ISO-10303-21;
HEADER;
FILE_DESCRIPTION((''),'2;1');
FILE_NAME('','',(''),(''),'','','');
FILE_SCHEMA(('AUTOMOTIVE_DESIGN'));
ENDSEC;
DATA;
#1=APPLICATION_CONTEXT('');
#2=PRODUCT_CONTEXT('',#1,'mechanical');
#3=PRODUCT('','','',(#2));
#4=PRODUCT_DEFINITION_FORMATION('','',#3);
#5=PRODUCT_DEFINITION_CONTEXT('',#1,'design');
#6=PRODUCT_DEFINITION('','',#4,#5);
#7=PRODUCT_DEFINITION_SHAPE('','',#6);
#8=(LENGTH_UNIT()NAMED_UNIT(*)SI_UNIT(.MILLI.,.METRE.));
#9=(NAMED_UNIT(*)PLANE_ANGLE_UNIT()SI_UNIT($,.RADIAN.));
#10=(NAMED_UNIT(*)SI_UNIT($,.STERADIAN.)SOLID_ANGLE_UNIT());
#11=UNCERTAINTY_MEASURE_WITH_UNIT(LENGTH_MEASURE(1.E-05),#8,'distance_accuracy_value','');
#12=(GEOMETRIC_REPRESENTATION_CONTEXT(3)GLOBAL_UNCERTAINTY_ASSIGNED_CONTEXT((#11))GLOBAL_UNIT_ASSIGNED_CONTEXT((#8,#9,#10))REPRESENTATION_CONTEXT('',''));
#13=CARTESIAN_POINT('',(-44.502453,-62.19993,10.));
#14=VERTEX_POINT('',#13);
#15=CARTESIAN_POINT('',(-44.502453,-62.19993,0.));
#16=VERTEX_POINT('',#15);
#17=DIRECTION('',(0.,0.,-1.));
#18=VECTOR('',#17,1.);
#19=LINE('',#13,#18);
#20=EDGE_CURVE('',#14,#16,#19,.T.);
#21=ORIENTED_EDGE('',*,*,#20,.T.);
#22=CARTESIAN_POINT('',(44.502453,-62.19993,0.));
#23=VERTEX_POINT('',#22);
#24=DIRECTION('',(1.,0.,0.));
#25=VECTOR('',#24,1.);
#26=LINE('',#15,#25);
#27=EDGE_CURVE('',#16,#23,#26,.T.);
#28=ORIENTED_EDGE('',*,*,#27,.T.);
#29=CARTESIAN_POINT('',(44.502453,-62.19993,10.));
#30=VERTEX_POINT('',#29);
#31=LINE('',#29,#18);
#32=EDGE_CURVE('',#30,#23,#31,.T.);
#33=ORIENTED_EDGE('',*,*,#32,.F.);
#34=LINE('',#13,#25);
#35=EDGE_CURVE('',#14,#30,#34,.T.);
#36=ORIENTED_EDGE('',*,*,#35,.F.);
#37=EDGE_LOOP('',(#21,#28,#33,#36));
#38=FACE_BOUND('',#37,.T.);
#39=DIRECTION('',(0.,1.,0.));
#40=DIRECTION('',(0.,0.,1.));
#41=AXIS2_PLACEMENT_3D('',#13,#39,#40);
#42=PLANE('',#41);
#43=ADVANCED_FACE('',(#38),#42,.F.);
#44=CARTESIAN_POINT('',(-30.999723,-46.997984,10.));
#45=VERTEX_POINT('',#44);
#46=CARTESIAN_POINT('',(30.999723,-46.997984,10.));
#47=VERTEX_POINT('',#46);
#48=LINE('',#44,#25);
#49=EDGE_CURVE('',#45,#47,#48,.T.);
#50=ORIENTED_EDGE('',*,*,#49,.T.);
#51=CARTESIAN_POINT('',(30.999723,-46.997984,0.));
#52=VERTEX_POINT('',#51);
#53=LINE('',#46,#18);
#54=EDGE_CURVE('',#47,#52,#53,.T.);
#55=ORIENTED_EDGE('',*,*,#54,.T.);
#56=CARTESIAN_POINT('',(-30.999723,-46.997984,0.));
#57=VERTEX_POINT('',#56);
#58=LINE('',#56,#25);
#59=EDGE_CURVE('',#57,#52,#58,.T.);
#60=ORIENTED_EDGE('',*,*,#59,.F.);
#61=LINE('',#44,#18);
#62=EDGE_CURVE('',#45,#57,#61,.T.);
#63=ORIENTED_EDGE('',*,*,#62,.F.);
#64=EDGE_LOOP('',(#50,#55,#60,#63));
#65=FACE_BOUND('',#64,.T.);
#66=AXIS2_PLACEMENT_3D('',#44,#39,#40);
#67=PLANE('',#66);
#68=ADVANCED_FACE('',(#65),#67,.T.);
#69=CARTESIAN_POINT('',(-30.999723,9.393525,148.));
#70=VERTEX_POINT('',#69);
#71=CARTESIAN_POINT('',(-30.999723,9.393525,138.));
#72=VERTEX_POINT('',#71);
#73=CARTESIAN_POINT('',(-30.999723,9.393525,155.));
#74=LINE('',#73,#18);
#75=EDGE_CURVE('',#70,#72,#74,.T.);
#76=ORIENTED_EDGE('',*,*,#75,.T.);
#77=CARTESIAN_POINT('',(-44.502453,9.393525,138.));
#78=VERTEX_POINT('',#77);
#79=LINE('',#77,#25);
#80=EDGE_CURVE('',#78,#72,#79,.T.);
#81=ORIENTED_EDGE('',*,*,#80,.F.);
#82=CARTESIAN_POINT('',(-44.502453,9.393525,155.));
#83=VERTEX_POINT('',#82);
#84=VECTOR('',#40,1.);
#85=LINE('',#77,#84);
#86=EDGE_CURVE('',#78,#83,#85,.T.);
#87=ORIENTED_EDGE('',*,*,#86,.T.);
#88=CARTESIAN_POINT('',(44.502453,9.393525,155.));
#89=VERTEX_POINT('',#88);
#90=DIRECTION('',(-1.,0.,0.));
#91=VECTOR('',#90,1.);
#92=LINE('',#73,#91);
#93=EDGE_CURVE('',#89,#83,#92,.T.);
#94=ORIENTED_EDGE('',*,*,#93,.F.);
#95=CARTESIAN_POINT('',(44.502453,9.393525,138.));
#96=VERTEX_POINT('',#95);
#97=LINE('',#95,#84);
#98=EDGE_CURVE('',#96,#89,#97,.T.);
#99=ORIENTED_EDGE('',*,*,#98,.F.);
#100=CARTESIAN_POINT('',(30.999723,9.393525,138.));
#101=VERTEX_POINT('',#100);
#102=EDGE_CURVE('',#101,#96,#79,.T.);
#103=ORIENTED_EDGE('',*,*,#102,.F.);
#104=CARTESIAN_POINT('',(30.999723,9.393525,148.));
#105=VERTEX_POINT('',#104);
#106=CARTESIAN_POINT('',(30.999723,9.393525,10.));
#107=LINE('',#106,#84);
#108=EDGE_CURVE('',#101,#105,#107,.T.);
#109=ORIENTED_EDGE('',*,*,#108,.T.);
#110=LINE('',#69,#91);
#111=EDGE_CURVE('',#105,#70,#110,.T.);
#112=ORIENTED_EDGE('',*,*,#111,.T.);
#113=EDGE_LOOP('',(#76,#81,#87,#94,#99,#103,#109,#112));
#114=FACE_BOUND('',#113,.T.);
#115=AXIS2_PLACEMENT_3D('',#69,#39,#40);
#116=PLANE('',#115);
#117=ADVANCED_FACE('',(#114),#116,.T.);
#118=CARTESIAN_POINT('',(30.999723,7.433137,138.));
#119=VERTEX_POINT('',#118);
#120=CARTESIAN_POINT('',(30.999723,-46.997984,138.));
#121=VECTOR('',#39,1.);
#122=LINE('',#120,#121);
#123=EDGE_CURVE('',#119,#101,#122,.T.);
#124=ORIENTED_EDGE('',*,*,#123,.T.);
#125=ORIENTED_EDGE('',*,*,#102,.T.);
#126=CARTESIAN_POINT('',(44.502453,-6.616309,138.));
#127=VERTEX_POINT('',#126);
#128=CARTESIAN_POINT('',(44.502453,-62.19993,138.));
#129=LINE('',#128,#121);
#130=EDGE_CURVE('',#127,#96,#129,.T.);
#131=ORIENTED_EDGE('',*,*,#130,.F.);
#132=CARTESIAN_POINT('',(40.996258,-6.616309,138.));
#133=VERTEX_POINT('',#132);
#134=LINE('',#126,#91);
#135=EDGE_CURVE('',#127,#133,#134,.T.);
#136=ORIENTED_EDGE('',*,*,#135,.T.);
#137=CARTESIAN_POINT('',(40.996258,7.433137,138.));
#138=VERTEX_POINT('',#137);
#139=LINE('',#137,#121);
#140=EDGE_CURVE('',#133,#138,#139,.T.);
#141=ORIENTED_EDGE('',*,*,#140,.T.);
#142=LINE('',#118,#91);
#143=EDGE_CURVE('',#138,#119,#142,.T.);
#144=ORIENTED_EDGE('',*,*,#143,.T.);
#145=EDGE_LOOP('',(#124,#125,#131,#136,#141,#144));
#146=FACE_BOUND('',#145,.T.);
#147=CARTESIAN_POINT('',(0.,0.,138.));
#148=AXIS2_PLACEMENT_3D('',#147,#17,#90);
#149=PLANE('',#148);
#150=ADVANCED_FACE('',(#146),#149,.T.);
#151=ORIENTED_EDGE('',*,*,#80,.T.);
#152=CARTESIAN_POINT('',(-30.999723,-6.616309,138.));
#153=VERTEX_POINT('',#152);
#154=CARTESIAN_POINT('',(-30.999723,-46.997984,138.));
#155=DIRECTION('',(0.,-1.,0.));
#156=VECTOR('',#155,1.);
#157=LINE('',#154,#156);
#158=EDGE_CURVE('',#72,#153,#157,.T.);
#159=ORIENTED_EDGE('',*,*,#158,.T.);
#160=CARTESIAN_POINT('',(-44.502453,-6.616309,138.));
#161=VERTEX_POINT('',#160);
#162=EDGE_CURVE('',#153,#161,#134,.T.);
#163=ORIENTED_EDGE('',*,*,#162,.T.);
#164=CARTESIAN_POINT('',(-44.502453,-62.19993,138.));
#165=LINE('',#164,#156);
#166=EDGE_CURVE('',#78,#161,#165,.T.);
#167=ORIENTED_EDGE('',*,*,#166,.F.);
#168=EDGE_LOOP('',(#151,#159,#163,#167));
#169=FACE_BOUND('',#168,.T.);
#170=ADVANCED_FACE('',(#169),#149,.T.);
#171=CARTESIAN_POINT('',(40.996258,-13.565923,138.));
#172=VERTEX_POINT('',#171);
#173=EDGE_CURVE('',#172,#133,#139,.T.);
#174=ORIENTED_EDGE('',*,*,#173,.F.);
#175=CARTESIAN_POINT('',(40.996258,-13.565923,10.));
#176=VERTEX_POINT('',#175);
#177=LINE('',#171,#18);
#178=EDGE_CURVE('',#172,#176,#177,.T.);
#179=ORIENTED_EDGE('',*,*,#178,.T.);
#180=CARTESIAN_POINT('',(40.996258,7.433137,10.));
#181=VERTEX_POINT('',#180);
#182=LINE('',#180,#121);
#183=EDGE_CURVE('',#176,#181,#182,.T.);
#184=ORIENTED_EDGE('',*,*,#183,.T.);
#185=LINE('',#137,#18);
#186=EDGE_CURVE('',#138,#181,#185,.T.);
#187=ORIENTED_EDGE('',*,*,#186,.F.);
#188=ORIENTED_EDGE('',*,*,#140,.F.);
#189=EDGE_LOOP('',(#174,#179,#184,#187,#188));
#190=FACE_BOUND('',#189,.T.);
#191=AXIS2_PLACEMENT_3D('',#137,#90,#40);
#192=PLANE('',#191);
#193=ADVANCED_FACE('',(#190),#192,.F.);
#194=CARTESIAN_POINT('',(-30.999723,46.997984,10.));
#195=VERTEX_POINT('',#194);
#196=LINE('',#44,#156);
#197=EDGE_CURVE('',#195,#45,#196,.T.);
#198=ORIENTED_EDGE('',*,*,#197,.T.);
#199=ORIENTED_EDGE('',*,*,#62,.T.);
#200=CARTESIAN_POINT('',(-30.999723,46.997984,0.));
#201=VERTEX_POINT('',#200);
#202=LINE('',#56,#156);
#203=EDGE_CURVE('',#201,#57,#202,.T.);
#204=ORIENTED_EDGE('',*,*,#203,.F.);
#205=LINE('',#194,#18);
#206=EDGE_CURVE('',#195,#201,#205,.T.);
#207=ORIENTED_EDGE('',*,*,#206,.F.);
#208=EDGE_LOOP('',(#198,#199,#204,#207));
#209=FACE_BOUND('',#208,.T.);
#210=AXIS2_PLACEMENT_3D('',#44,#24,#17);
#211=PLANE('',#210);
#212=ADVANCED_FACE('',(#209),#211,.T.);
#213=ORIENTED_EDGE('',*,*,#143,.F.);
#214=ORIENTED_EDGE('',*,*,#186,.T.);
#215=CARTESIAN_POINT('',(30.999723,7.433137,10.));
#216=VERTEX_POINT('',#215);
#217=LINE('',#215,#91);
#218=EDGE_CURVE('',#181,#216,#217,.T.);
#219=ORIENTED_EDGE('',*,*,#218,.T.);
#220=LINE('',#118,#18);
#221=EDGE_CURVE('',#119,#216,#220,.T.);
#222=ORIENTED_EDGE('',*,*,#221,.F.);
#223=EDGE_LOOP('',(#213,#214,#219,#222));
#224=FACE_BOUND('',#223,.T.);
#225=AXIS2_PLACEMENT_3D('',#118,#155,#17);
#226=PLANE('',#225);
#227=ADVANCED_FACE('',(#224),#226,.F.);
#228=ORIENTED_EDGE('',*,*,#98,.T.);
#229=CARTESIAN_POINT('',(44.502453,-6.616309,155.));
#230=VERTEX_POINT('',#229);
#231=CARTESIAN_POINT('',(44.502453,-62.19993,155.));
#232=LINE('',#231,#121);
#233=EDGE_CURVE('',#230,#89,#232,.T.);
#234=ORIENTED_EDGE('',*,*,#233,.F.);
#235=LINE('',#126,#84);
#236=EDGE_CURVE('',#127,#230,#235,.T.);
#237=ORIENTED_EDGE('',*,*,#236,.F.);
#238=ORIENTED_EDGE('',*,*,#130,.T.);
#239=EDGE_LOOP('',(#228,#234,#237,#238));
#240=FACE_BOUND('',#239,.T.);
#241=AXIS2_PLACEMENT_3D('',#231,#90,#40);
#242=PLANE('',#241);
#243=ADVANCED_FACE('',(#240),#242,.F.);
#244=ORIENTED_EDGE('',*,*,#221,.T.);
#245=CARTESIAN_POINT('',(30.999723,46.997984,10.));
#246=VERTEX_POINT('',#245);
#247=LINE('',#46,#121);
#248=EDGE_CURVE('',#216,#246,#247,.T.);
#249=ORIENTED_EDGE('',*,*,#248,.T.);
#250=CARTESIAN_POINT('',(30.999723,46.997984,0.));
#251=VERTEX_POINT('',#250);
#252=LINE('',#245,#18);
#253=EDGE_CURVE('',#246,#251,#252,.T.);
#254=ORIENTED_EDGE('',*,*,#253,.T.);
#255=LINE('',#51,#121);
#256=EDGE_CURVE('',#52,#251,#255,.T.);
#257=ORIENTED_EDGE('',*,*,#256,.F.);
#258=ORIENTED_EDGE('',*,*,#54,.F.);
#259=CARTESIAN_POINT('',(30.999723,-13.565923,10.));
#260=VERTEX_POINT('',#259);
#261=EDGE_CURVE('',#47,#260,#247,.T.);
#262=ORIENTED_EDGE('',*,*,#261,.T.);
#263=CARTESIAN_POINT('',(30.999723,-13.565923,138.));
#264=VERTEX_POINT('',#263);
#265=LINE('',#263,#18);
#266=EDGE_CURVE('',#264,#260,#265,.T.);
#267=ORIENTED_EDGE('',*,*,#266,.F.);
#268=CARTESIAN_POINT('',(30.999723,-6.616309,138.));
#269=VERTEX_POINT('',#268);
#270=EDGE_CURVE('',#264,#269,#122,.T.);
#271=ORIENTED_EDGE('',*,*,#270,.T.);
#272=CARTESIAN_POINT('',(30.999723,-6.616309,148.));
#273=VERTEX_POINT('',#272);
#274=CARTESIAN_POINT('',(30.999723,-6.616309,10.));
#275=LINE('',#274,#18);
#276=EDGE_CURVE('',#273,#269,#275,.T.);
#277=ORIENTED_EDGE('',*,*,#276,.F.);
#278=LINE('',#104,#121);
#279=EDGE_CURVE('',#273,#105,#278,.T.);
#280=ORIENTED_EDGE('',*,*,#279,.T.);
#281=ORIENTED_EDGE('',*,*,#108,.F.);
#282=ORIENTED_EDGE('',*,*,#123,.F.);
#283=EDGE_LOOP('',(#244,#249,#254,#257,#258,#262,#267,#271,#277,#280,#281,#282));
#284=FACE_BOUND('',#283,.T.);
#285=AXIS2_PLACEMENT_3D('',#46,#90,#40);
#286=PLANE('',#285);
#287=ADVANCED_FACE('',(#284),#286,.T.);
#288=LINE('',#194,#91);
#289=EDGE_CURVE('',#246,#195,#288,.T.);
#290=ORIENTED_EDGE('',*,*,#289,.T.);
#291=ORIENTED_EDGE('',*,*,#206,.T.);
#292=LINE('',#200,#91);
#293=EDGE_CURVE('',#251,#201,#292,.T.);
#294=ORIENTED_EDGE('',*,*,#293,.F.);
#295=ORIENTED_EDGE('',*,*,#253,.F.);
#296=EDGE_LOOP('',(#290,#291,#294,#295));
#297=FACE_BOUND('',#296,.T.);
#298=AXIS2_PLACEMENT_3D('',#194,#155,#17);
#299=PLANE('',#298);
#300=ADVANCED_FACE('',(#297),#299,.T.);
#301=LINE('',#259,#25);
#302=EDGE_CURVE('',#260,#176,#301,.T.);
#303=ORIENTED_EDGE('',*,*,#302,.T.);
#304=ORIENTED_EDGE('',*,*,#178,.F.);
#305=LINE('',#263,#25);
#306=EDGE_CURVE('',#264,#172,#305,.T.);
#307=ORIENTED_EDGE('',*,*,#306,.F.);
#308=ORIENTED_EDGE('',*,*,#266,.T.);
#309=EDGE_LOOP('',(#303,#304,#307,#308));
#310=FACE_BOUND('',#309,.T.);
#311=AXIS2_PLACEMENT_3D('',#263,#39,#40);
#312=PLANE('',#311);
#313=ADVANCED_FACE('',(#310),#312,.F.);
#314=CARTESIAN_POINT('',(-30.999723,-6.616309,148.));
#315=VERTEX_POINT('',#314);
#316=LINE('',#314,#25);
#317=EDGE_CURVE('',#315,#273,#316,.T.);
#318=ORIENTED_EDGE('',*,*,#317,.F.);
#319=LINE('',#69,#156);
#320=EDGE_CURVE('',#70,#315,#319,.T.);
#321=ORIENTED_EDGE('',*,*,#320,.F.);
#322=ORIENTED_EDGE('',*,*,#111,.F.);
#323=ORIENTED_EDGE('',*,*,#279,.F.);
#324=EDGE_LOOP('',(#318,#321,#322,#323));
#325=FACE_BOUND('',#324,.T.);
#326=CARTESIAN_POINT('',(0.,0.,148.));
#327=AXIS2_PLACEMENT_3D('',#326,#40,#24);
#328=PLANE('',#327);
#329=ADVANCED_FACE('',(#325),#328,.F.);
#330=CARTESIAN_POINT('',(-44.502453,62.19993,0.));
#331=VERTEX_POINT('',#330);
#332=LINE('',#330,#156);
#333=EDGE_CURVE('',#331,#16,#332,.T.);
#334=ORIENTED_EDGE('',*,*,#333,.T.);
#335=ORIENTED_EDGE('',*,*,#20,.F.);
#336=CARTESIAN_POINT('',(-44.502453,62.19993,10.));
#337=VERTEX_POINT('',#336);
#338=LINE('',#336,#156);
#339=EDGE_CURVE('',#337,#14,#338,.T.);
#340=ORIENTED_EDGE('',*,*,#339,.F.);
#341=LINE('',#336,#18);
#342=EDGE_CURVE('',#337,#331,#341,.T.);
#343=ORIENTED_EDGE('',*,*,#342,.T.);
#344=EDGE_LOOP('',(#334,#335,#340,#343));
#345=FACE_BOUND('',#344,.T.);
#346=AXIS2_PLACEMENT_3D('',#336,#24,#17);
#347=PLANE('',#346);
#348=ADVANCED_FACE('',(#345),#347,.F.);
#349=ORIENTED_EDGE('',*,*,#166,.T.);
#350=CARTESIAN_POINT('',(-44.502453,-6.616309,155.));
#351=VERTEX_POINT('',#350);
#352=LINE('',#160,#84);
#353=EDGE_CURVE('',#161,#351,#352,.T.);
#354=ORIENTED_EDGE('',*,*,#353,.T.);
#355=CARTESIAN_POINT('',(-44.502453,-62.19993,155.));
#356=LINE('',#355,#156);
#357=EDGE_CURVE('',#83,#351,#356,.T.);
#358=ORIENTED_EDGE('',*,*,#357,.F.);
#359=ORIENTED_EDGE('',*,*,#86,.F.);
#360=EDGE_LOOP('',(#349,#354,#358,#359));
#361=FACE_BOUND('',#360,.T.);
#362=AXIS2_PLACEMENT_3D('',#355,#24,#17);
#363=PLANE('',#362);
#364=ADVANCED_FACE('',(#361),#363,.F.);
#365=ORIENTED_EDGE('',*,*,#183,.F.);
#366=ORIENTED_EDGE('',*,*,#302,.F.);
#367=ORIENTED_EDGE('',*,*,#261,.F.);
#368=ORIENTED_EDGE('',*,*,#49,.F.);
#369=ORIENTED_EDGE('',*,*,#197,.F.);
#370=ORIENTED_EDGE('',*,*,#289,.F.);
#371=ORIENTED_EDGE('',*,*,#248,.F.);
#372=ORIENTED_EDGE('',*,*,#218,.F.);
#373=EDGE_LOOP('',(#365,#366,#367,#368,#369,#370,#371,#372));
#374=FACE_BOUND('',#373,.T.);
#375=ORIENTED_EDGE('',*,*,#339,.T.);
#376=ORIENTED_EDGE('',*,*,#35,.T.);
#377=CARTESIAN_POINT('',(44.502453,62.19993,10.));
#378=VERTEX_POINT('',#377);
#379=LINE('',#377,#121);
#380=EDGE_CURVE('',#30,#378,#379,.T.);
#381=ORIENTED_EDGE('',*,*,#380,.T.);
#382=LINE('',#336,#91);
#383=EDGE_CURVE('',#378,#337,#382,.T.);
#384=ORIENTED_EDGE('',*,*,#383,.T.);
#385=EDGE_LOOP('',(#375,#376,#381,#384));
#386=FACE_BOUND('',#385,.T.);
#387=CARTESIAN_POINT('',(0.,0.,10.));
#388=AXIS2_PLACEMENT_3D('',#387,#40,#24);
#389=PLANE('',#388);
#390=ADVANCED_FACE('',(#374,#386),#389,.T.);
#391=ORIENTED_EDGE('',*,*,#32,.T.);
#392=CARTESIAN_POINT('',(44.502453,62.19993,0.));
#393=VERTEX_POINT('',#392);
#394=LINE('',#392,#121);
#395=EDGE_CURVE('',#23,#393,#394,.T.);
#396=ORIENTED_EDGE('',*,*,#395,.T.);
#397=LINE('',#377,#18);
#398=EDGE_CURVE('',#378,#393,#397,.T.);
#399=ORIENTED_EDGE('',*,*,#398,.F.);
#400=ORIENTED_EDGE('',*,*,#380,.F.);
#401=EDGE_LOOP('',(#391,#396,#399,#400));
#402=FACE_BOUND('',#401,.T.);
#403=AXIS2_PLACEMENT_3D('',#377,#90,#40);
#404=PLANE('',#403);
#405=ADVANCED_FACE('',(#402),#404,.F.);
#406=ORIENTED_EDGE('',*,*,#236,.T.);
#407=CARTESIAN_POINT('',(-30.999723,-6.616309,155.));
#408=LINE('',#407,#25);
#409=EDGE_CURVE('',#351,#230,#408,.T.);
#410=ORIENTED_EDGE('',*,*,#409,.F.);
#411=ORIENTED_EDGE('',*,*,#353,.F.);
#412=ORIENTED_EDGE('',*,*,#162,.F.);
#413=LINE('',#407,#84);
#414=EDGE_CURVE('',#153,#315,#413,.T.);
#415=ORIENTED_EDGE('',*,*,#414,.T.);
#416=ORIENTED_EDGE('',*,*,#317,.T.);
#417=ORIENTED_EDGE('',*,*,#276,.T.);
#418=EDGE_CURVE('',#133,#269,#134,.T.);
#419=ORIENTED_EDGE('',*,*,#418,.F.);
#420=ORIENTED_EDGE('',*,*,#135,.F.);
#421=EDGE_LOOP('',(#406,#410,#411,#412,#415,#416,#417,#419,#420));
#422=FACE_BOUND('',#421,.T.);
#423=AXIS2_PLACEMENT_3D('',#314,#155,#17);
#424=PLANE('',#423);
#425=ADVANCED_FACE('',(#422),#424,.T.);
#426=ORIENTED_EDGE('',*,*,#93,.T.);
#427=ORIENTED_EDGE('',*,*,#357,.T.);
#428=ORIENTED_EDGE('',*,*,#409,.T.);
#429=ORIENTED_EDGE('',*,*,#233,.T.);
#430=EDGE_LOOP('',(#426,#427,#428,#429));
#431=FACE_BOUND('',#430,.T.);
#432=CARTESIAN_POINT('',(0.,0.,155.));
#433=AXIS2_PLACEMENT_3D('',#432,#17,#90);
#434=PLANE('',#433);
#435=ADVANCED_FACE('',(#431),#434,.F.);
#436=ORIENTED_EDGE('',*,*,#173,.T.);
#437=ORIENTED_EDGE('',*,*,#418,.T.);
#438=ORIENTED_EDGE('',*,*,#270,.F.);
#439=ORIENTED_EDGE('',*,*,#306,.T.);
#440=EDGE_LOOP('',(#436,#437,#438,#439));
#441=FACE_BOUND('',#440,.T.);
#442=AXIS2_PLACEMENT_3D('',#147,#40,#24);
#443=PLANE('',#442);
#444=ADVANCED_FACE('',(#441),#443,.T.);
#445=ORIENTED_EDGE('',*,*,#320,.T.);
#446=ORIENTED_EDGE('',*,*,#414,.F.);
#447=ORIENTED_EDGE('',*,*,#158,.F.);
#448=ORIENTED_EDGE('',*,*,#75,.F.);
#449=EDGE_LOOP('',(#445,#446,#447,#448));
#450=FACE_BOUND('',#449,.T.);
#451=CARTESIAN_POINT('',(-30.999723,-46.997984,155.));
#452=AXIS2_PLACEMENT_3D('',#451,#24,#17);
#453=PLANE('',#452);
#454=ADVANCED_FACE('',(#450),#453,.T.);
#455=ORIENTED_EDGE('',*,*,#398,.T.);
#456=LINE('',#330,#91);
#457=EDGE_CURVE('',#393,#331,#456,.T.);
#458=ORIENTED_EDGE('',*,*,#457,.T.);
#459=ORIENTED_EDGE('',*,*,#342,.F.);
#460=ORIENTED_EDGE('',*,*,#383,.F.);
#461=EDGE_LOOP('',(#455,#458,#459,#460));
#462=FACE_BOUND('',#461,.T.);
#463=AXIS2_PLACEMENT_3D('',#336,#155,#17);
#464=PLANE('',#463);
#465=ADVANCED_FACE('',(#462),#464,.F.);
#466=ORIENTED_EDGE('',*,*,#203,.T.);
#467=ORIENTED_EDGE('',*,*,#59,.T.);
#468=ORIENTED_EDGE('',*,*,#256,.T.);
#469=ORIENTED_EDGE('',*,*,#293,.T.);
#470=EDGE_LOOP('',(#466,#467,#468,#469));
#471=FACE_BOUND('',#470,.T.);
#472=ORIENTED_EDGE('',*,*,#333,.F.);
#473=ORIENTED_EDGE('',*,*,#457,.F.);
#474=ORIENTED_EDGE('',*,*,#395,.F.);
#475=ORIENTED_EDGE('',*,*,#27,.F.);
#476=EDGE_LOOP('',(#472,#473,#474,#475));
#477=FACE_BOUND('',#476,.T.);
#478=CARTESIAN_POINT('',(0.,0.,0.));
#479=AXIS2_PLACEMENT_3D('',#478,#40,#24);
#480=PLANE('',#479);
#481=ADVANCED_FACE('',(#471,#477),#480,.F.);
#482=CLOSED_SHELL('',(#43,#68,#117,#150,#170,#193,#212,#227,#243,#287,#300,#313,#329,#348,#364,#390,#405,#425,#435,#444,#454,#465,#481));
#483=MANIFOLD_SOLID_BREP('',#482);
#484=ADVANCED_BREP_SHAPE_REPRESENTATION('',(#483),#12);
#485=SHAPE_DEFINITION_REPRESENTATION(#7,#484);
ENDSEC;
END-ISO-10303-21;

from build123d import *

# Parameters (mm, degrees)
SKETCH1_W           = 89.004906374
SKETCH1_H           = 124.399859706
SKETCH1_W_2         = 61.999445932
SKETCH1_H_2         = 93.995967372
BOSS_EXTRUDE1_DEPTH = 10
SKETCH2_W           = 9.996534877
SKETCH2_H           = 20.999060591
BOSS_EXTRUDE2_DEPTH = 128
SKETCH3_W           = 89.004906374
SKETCH3_H           = 124.399859706
SKETCH3_W_2         = 61.999445932
SKETCH3_H_2         = 93.995967372
BOSS_EXTRUDE3_DEPTH = 17
SKETCH4_W           = 61.999445932
SKETCH4_H           = 16.009834455
BOSS_EXTRUDE4_DEPTH = 7
SKETCH5_W           = 89.004906374
SKETCH5_H           = 55.583620716
SKETCH5_H_2         = 52.806404535
CUT_EXTRUDE1_DEPTH  = 17


with BuildPart() as part:
    # Sketch1 → Boss-Extrude1 (new body)
    with BuildSketch(Plane.XY):
        Rectangle(SKETCH1_W, SKETCH1_H)
        Rectangle(SKETCH1_W_2, SKETCH1_H_2, mode=Mode.SUBTRACT)
    extrude(amount=BOSS_EXTRUDE1_DEPTH)

    # Sketch2 → Boss-Extrude2 (add)
    with BuildSketch(Plane.XY.offset(10)):
        with Locations((35.997990405, -3.066392871)):
            Rectangle(SKETCH2_W, SKETCH2_H)
    extrude(amount=BOSS_EXTRUDE2_DEPTH)

    # Sketch3 → Boss-Extrude3 (add)
    with BuildSketch(Plane.XY.offset(138)):
        Rectangle(SKETCH3_W, SKETCH3_H)
        Rectangle(SKETCH3_W_2, SKETCH3_H_2, mode=Mode.SUBTRACT)
    extrude(amount=BOSS_EXTRUDE3_DEPTH)

    # Sketch4 → Boss-Extrude4 (add)
    with BuildSketch(Plane.XY.offset(155)):
        with Locations((0, 1.388608091)):
            Rectangle(SKETCH4_W, SKETCH4_H)
    extrude(amount=-BOSS_EXTRUDE4_DEPTH)

    # Sketch5 → Cut-Extrude1 (cut)
    with BuildSketch(Plane.XY.offset(155)):
        with Locations((0, -34.408119495)):
            Rectangle(SKETCH5_W, SKETCH5_H)
        with Locations((0, 35.796727586)):
            Rectangle(SKETCH5_W, SKETCH5_H_2)
    extrude(amount=-CUT_EXTRUDE1_DEPTH, mode=Mode.SUBTRACT)


solid = part.part
